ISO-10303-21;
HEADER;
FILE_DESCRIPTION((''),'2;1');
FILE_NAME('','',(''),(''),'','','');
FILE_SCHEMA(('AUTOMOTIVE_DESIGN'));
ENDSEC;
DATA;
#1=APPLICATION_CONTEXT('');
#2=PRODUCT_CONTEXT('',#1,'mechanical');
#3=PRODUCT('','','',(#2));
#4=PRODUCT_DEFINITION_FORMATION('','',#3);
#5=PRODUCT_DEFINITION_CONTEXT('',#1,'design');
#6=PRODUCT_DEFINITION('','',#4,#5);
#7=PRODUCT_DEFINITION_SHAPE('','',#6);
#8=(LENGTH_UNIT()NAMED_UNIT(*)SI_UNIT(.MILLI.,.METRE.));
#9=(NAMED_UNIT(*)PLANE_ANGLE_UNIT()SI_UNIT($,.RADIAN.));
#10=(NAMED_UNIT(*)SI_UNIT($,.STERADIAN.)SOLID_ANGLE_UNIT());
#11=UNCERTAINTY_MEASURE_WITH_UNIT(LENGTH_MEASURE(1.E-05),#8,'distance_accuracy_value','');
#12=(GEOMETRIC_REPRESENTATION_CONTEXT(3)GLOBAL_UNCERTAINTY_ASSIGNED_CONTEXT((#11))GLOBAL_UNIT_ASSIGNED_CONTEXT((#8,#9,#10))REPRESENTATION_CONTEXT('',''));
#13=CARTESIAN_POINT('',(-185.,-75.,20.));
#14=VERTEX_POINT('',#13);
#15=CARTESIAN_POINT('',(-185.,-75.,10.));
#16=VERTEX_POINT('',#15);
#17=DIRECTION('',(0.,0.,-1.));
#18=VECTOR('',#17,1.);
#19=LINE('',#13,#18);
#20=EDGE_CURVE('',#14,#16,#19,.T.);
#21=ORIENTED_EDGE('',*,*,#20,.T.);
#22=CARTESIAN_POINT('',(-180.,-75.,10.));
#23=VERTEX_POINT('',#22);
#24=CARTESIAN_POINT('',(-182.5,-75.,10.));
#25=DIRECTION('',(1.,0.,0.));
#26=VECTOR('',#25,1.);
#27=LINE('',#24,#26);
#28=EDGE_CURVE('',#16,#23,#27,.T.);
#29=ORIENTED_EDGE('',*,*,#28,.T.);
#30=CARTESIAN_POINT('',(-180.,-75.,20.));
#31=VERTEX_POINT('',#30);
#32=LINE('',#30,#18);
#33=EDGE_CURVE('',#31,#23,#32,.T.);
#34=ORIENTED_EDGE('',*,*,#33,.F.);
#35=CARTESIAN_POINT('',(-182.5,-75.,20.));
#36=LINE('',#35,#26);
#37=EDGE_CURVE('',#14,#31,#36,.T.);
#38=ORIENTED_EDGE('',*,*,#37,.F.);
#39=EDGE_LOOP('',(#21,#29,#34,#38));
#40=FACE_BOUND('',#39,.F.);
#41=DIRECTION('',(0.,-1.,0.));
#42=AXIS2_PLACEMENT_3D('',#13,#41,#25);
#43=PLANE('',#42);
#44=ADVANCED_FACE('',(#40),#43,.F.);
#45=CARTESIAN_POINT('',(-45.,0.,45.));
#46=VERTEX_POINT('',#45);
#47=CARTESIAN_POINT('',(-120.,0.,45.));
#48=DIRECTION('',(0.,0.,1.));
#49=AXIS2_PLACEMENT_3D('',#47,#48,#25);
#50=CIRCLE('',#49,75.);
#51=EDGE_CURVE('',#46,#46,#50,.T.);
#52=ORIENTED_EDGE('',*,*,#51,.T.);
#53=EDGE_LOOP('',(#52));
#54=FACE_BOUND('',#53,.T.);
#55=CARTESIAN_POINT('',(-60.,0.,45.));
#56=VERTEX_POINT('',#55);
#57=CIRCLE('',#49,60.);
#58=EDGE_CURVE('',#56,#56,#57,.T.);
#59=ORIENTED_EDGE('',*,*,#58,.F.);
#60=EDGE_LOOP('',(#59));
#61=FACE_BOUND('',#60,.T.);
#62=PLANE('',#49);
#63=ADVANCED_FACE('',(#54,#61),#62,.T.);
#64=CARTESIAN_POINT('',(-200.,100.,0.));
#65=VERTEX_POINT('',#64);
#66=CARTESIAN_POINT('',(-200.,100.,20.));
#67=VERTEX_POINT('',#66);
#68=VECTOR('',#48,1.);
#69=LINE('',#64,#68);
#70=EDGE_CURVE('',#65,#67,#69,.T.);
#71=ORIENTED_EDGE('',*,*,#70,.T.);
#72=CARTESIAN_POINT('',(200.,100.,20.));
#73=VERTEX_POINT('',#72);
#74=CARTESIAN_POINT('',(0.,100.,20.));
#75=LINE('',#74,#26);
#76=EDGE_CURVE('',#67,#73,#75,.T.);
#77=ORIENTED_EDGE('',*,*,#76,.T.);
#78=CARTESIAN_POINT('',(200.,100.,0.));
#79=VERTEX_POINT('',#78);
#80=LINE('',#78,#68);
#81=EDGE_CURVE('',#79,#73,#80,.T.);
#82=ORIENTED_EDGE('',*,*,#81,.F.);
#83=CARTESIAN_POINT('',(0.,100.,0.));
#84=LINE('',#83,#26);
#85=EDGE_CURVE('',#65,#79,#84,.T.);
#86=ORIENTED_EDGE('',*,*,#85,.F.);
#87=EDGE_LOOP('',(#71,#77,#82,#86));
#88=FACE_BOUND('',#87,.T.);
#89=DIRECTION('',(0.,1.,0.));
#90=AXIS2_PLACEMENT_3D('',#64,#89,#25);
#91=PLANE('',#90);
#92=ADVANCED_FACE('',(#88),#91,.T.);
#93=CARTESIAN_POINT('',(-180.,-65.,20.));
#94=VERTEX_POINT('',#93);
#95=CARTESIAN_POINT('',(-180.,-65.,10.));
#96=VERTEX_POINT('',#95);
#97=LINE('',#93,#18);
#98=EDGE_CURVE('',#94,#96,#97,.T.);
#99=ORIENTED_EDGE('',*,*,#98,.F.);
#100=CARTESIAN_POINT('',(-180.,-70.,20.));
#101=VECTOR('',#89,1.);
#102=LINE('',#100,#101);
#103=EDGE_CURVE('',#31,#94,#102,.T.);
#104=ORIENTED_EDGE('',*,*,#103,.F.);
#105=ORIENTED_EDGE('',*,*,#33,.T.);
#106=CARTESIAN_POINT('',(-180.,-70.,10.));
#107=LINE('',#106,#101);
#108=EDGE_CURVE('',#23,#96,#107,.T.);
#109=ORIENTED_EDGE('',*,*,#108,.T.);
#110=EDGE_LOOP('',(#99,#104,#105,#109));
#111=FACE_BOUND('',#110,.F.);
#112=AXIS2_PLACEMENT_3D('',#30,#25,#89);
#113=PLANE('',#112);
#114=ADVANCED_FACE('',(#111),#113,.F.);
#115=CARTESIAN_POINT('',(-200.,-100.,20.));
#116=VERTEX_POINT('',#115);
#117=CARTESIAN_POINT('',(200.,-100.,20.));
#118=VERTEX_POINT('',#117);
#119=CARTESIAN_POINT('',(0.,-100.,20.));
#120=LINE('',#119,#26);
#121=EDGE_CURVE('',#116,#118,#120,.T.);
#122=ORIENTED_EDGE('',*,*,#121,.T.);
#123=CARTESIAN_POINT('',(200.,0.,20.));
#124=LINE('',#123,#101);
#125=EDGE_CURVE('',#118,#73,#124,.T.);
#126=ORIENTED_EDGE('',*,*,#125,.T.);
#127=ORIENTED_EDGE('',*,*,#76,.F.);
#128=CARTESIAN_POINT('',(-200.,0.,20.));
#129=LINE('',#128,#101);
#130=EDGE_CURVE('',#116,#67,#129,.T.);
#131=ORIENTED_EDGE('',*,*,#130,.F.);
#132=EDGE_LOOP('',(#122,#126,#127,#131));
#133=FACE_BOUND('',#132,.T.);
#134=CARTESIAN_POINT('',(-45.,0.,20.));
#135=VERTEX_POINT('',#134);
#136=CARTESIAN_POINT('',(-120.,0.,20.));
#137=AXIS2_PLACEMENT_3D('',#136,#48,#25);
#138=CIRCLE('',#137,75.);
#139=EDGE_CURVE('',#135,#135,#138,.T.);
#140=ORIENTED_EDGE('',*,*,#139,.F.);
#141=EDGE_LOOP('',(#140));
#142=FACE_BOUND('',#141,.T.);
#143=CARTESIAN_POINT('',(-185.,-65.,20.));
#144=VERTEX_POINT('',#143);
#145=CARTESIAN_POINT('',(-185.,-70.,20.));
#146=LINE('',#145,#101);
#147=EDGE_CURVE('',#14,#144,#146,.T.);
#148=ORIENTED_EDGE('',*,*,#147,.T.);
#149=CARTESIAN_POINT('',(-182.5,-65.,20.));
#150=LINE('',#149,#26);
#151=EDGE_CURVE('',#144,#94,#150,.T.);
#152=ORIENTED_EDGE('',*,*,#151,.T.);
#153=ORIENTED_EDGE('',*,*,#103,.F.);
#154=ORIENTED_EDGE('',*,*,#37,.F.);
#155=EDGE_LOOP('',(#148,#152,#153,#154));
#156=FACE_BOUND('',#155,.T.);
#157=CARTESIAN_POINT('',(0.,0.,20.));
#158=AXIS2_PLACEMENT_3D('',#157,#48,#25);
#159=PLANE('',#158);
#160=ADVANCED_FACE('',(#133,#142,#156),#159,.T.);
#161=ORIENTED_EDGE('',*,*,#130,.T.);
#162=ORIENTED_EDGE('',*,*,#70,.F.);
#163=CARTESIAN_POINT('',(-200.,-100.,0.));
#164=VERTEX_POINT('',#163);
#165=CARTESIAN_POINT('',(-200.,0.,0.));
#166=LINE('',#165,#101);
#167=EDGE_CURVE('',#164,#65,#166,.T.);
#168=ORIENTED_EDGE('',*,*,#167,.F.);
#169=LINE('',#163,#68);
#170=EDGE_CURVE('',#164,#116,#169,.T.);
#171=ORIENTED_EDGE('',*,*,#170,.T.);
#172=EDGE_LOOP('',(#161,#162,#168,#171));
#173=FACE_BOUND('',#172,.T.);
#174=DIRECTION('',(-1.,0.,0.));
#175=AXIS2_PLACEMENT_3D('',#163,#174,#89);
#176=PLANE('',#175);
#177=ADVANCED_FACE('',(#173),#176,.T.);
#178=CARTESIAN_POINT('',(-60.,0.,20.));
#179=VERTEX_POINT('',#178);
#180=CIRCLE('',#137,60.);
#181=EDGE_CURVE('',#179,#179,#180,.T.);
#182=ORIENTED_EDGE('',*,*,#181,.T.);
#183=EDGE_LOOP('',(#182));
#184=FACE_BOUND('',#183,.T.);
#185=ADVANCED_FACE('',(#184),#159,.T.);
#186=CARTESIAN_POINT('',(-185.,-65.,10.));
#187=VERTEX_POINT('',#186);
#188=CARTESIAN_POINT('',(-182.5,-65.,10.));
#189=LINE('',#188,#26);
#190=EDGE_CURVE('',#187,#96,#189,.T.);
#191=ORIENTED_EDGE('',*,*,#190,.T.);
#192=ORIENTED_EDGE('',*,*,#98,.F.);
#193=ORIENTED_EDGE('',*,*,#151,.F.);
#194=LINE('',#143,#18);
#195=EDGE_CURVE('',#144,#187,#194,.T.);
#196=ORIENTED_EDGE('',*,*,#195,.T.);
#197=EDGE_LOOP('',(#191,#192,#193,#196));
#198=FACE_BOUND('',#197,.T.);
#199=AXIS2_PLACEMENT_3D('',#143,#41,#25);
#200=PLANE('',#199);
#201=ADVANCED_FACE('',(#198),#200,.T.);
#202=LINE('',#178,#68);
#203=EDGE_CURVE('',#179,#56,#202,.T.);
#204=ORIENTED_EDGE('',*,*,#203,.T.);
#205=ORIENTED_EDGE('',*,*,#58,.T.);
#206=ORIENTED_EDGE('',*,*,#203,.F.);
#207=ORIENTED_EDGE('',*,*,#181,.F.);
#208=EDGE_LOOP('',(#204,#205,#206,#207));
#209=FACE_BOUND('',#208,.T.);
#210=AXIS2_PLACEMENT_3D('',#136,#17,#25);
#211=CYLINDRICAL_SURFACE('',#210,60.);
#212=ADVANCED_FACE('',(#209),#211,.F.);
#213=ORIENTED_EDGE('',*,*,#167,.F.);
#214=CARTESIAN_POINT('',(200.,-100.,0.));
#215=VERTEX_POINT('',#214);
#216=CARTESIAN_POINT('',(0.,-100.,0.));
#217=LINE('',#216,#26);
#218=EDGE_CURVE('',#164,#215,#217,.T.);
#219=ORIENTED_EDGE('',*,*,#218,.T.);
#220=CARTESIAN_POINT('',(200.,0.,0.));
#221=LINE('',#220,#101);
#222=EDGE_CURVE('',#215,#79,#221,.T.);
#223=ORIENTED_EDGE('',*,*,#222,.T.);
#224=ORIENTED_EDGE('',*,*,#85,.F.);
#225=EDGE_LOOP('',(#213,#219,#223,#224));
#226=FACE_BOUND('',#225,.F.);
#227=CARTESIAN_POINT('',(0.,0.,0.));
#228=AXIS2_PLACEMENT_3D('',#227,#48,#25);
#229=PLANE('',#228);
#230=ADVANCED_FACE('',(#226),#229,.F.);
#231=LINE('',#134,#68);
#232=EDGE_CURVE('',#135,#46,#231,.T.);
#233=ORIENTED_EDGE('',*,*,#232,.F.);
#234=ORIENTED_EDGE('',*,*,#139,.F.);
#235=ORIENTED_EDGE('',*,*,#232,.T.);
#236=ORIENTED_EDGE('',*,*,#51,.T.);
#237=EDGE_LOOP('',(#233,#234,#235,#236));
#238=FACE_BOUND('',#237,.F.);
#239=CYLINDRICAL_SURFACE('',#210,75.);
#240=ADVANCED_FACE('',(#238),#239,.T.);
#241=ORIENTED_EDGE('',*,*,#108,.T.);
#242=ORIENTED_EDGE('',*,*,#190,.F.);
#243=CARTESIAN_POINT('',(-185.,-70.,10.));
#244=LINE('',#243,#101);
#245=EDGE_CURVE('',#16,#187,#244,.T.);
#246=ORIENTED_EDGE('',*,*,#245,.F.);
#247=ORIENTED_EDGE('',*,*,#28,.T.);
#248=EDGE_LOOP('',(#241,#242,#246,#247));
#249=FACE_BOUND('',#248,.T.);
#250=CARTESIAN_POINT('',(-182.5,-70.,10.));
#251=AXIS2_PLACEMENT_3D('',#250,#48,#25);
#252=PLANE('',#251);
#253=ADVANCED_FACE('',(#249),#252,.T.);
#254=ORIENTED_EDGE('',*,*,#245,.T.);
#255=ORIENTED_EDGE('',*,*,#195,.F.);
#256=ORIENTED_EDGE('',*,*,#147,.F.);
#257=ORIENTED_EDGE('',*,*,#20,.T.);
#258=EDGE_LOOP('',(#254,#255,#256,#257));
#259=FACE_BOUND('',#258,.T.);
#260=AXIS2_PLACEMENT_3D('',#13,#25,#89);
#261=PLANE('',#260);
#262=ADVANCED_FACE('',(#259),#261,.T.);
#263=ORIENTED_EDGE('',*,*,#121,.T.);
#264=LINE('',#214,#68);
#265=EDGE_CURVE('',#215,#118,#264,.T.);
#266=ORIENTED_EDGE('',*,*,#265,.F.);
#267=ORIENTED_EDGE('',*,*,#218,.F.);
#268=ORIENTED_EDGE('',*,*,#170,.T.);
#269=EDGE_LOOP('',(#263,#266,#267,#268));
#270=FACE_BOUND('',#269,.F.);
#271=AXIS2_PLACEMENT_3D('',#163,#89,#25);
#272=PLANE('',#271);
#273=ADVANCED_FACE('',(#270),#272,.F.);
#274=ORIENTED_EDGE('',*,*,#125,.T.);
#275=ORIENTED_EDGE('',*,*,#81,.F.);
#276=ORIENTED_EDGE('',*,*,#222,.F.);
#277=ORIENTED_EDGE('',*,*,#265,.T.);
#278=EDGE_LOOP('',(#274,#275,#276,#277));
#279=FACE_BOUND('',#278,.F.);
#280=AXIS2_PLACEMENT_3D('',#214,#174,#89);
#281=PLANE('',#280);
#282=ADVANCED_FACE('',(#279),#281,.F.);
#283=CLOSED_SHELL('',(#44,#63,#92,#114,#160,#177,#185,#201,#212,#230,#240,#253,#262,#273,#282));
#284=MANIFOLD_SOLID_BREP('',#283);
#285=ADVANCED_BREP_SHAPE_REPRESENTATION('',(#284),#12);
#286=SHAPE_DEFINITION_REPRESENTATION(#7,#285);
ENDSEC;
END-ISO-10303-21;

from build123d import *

# Parameters (mm, degrees)
F0_W     = 400
F0_H     = 200
F1_DEPTH = 20
F2_R     = 75
F2_R_2   = 60
F3_DEPTH = 25
F4_W     = 5
F4_H     = 10
F5_DEPTH = 10


with BuildPart() as f1:
    # F0 (on Top) → F1 (new body)
    with BuildSketch(Plane.XY):
        Rectangle(F0_W, F0_H)
    extrude(amount=F1_DEPTH)

    # F2 (on face) → F3 (join)
    with BuildSketch(Plane.XY.offset(20)):
        with Locations((-120, 0)):
            Circle(F2_R)
        with Locations((-120, 0)):
            Circle(F2_R_2, mode=Mode.SUBTRACT)
    extrude(amount=F3_DEPTH)

    # F4 (on face) → F5 (cut)
    with BuildSketch(Plane.XY.offset(20)):
        with Locations((-182.5, -70)):
            Rectangle(F4_W, F4_H)
    extrude(amount=-F5_DEPTH, mode=Mode.SUBTRACT)


solid = f1.part
